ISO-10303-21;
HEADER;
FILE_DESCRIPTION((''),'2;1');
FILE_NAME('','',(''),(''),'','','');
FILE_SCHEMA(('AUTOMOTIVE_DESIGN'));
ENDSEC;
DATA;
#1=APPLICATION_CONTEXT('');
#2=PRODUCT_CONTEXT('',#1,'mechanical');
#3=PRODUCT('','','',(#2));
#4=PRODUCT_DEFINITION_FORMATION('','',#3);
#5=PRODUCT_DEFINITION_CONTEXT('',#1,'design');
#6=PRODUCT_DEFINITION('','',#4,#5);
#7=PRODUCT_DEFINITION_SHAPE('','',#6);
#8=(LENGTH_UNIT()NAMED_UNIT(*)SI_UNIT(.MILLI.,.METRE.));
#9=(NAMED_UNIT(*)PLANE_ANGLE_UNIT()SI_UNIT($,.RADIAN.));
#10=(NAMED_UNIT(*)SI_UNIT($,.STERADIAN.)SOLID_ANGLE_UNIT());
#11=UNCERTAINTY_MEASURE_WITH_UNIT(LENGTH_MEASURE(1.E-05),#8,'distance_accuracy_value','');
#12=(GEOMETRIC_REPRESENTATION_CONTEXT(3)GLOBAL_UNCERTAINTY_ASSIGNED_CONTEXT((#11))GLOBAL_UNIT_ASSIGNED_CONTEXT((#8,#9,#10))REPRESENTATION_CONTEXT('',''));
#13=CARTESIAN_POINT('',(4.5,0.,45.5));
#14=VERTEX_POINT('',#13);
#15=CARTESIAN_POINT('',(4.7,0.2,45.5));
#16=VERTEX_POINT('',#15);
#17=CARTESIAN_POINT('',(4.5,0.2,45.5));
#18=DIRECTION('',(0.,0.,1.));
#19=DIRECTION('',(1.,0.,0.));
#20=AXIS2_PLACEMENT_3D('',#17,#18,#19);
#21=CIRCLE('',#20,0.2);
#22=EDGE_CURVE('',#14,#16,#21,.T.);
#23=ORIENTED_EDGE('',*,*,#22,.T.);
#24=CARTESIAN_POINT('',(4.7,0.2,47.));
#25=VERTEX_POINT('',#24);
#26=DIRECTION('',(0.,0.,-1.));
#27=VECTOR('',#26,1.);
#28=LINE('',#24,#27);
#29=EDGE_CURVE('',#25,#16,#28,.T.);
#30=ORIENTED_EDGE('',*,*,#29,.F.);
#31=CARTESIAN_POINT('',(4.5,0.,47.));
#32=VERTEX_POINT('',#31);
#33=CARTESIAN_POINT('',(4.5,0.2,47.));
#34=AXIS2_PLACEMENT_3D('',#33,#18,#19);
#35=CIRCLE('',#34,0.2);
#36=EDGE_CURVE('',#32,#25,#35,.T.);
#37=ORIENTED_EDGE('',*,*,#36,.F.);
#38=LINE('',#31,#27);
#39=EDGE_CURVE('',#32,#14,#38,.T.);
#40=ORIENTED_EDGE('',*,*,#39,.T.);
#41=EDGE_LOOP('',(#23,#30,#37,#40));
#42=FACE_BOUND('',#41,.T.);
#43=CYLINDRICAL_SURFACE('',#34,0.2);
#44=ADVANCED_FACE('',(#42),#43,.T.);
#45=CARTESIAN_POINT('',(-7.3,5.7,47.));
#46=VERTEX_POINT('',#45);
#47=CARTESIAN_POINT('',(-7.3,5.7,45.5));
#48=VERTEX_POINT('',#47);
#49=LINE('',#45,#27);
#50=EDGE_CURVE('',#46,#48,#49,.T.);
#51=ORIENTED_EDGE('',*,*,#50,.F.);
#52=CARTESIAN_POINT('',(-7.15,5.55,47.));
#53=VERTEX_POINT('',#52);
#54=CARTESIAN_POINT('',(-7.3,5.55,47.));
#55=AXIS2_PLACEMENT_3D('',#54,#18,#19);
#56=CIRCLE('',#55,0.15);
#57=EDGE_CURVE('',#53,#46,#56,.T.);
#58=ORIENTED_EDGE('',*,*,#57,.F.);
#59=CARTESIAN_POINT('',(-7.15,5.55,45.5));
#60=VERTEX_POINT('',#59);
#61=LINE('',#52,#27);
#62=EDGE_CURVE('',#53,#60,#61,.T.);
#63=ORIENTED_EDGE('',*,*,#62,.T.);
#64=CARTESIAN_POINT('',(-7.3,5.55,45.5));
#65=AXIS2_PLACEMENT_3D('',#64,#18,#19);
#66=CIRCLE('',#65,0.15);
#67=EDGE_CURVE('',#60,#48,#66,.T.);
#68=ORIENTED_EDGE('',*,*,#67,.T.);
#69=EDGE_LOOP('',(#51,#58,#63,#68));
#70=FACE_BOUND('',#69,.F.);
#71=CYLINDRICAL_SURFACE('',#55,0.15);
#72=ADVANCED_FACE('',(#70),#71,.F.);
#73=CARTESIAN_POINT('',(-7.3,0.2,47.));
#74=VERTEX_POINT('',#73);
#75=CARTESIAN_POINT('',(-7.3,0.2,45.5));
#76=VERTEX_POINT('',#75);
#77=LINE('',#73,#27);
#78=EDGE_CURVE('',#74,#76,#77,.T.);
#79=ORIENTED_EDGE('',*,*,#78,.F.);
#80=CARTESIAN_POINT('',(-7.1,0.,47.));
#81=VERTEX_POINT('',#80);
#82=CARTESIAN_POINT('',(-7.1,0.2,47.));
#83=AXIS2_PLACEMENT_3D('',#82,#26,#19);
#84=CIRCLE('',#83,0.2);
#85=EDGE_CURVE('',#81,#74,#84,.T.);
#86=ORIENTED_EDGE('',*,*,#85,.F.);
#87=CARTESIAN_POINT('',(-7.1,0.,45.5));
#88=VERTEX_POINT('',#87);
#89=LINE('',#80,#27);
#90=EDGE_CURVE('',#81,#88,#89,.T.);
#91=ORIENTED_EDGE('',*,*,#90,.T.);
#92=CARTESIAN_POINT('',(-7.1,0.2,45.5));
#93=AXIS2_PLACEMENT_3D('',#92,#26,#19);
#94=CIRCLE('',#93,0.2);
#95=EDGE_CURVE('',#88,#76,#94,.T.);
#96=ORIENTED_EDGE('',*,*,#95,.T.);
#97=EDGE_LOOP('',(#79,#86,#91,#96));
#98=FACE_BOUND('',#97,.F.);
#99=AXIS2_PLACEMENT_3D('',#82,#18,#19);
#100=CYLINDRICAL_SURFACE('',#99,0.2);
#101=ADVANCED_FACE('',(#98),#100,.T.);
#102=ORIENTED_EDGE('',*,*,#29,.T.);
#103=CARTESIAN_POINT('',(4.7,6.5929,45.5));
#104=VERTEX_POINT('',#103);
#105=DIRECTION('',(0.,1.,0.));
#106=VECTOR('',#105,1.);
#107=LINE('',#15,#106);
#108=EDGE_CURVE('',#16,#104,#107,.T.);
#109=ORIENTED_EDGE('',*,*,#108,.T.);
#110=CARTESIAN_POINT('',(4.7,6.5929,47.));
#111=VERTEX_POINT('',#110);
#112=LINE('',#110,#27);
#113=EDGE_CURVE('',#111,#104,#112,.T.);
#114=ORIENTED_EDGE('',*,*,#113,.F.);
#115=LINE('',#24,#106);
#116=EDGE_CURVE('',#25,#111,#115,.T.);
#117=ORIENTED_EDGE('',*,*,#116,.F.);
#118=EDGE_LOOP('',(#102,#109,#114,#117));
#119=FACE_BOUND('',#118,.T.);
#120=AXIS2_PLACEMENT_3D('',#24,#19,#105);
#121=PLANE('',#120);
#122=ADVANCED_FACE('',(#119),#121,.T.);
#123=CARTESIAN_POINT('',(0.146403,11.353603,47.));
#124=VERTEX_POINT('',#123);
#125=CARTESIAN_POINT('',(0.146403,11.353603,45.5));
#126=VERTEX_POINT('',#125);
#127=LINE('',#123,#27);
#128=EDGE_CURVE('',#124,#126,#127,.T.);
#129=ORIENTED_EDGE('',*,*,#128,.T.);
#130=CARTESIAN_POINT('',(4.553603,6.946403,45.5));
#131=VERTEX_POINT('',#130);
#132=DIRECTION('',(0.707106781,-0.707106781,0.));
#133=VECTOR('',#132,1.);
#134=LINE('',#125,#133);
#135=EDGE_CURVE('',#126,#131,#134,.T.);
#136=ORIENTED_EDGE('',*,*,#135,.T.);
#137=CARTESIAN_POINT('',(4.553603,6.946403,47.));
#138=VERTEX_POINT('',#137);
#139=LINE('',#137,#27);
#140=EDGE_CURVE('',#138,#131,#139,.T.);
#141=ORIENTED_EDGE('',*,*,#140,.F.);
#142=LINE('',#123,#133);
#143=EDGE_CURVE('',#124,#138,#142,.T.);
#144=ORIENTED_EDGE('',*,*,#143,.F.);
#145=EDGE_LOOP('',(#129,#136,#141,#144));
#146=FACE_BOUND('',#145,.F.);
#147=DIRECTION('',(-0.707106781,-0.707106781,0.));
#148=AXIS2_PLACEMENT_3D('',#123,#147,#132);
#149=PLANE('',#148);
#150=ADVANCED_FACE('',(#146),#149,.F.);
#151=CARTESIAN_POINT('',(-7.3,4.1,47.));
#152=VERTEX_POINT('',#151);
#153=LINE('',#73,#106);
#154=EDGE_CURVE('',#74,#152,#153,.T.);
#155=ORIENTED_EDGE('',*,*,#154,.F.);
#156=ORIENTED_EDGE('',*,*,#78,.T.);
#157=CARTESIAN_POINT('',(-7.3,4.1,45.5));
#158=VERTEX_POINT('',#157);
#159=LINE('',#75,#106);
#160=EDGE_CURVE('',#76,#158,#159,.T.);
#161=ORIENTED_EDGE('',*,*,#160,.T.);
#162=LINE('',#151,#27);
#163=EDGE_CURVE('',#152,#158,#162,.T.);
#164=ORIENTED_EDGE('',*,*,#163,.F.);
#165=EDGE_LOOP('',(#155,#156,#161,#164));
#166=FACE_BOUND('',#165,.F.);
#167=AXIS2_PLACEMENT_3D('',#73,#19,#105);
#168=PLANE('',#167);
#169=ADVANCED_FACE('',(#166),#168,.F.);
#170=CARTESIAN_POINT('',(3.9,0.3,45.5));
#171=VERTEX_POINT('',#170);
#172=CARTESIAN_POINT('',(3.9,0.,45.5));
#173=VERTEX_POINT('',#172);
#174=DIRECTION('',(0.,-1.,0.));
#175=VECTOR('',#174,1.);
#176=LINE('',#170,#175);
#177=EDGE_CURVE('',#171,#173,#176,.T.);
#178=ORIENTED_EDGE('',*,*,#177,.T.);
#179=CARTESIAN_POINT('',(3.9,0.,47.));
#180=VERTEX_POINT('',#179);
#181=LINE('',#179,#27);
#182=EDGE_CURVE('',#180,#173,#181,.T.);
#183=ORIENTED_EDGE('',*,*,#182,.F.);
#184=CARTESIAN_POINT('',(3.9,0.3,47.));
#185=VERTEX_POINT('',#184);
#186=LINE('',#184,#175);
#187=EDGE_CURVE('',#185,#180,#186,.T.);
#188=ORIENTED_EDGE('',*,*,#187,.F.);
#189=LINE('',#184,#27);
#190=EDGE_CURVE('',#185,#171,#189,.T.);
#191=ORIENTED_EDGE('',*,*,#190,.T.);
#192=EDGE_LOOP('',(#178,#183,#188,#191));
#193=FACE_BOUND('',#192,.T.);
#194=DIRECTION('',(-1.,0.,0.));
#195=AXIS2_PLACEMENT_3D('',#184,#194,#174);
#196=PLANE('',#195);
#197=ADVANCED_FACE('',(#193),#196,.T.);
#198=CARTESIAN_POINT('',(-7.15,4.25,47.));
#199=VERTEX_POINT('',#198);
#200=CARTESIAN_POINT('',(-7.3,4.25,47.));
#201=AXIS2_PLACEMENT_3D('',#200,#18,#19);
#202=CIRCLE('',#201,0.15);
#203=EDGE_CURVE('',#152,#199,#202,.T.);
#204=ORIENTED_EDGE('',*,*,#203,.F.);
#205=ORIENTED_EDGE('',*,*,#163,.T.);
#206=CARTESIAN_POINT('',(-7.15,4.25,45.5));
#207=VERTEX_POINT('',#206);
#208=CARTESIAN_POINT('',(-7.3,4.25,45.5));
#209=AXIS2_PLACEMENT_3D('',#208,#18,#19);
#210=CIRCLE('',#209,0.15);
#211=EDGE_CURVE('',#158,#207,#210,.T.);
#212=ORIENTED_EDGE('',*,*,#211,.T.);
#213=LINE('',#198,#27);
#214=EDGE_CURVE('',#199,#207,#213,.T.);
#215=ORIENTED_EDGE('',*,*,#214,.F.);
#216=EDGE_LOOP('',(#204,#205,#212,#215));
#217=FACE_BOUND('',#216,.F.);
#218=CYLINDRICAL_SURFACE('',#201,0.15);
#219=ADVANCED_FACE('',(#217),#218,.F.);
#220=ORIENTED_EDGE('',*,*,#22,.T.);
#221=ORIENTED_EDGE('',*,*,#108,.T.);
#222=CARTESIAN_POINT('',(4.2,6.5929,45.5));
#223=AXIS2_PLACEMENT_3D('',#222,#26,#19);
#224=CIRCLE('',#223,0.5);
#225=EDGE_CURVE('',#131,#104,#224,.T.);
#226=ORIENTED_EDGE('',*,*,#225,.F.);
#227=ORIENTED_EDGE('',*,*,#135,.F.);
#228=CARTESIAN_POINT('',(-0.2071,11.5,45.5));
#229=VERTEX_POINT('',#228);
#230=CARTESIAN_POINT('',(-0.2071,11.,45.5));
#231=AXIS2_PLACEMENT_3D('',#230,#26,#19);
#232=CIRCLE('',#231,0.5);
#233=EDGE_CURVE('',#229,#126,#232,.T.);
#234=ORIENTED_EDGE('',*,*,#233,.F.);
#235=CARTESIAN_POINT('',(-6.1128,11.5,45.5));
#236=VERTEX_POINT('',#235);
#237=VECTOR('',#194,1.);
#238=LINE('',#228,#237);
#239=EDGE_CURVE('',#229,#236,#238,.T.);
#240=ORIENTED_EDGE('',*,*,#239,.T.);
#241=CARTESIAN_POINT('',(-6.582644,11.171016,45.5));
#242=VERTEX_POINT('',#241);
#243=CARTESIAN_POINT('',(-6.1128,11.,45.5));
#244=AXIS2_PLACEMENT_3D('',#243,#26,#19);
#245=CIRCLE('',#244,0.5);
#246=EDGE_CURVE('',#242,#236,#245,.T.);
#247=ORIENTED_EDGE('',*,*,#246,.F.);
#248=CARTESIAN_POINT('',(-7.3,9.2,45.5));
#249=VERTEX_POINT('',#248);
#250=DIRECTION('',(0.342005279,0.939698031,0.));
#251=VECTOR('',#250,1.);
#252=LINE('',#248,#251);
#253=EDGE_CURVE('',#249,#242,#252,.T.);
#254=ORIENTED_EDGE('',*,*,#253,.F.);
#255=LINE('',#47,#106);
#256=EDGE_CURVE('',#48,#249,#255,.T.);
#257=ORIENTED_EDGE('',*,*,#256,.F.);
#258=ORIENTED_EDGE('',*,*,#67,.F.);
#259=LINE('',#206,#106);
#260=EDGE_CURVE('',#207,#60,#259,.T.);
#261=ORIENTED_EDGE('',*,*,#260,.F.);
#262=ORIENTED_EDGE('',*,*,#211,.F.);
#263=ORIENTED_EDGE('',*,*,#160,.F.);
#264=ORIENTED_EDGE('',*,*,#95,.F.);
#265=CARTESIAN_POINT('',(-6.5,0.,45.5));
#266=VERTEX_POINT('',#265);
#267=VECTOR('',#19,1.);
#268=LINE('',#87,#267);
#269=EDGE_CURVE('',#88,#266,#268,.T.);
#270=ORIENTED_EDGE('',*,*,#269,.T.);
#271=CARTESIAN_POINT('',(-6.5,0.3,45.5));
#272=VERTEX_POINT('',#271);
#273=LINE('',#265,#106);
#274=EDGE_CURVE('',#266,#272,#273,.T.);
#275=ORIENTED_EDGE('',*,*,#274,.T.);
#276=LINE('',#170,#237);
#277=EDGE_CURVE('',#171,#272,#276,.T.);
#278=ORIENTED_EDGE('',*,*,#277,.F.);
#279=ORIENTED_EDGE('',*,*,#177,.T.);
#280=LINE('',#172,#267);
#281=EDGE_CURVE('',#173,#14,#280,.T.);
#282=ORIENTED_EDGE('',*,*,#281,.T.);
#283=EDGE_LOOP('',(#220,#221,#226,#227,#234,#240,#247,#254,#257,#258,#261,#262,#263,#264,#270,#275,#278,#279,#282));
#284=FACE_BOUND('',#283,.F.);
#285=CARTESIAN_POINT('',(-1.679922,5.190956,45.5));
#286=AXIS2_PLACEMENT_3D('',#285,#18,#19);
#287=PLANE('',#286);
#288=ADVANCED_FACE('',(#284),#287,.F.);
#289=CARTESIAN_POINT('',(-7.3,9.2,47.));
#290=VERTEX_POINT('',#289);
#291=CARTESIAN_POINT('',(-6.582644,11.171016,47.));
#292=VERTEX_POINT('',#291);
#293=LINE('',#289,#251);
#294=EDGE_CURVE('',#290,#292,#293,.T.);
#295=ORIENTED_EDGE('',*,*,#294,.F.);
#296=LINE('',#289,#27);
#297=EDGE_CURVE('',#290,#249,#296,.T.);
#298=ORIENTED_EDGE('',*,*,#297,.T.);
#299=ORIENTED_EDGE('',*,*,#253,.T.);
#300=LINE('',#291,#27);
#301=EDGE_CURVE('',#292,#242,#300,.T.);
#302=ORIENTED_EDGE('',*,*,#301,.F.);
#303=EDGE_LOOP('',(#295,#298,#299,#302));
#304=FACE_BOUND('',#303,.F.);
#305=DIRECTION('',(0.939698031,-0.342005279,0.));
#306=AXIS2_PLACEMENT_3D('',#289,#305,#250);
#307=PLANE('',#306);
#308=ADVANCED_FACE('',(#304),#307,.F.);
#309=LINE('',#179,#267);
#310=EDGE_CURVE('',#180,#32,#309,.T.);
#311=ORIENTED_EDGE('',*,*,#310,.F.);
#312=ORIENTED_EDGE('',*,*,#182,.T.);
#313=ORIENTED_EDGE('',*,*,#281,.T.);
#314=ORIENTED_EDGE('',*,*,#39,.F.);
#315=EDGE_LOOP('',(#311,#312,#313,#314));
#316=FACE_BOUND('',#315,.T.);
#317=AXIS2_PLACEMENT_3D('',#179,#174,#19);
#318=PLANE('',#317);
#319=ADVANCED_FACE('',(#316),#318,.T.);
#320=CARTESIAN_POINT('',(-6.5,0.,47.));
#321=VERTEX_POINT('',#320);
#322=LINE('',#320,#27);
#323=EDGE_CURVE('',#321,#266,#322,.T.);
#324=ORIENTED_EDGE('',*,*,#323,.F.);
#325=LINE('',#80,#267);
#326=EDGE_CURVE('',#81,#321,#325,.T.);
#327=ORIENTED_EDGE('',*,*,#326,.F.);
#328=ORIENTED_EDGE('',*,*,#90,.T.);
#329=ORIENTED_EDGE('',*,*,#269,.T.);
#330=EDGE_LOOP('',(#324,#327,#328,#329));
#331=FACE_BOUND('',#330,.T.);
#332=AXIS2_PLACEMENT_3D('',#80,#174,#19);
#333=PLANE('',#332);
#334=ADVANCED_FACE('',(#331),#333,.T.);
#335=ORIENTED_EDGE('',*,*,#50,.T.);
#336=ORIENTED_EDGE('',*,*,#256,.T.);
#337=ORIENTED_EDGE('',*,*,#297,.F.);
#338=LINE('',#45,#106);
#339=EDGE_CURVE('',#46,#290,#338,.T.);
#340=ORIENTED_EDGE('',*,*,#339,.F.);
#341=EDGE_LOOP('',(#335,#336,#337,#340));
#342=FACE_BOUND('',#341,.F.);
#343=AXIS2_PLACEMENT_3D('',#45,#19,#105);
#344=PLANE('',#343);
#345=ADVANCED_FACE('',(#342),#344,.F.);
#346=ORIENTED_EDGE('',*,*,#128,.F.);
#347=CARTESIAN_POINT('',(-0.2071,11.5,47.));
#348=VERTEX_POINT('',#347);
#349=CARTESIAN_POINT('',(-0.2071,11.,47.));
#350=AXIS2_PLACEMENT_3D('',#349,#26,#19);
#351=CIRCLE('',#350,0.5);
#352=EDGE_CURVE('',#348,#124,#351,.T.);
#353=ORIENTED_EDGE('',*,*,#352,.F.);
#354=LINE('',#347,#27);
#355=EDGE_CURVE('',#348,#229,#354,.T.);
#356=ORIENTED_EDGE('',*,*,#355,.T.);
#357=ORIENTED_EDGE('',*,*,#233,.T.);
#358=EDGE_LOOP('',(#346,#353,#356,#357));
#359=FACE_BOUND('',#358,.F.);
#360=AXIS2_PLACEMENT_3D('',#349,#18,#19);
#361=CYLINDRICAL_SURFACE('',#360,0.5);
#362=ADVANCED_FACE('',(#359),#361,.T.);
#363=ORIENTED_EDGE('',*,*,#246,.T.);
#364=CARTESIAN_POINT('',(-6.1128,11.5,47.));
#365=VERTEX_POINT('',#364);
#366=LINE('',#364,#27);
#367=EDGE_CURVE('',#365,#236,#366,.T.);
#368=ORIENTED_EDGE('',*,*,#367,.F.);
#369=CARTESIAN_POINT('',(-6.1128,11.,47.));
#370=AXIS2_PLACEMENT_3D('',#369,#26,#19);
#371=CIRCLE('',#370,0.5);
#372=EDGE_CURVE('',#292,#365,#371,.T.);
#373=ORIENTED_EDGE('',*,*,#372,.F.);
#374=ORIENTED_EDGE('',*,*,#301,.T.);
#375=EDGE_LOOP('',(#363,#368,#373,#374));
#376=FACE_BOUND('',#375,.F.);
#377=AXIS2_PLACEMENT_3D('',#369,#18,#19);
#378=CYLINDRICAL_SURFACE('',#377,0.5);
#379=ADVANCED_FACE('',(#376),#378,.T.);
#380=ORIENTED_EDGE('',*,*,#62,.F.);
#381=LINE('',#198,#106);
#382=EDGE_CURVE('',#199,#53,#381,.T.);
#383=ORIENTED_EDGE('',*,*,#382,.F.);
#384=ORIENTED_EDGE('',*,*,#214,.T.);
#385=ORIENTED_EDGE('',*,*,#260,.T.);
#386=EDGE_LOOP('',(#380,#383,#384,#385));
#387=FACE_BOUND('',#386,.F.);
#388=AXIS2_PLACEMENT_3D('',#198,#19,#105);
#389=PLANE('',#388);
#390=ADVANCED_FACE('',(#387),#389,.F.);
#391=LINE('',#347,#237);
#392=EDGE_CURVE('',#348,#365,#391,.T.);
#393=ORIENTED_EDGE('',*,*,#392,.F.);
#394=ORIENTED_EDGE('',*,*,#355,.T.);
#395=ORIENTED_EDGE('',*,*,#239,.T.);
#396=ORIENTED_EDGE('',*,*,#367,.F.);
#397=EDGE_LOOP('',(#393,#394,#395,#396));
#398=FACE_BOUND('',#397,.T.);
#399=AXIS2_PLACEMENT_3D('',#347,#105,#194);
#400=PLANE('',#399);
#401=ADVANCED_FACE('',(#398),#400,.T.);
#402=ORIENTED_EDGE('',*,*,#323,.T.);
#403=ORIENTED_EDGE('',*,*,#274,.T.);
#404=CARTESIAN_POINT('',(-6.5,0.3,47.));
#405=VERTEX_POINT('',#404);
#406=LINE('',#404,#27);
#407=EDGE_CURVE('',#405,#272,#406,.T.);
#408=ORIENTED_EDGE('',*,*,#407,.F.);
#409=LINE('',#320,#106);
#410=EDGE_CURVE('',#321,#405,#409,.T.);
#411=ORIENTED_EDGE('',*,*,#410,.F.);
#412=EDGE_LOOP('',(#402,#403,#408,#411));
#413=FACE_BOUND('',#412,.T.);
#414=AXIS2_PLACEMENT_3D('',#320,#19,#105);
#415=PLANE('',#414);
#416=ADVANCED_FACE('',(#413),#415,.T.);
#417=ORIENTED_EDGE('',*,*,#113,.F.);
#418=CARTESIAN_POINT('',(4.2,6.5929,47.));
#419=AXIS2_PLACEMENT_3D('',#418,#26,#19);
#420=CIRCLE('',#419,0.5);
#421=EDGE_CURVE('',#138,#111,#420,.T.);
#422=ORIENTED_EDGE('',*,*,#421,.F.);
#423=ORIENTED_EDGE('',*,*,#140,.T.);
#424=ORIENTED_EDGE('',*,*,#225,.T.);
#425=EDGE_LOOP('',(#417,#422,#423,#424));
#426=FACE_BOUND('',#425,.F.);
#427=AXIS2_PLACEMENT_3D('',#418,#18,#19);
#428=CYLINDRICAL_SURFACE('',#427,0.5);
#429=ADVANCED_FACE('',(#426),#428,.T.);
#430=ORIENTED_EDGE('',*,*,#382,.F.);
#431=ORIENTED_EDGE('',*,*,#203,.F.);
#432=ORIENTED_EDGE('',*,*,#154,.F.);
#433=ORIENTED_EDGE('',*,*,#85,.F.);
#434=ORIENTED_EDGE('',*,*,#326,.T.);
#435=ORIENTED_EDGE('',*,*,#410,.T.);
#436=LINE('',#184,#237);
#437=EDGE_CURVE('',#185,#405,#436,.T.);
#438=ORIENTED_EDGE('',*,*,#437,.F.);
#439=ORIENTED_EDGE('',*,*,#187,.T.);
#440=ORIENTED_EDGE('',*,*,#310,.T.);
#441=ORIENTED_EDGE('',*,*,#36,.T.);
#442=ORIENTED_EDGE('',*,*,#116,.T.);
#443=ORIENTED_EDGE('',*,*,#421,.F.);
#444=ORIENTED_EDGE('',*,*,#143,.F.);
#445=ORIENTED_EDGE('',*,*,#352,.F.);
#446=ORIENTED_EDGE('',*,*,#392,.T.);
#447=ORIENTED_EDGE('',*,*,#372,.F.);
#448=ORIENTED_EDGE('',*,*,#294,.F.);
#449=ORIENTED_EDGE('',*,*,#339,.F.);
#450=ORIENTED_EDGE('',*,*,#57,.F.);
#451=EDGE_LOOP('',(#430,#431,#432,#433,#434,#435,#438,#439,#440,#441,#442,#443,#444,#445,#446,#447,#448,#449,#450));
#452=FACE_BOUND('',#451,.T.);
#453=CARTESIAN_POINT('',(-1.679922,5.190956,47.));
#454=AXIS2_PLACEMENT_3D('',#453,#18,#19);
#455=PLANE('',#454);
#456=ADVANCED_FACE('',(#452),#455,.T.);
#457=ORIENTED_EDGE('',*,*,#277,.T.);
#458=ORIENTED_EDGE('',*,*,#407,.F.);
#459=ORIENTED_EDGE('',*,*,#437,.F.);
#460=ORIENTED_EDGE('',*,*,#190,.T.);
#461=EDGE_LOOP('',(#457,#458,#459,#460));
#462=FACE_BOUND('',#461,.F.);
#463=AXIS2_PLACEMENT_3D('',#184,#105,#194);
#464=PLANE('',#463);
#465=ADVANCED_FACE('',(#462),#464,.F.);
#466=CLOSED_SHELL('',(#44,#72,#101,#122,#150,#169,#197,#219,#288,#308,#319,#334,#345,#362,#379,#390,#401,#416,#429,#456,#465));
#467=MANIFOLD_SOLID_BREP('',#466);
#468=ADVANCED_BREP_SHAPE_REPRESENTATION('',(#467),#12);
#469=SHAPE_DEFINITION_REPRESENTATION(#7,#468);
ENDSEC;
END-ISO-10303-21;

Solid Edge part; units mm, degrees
sketch "Sketch1" plane through (-1.3, 5.75, 47) normal (0, 0, 1) x (1, 0, 0)
  line L0 (1.0929, 5.75) -> (-4.8128, 5.75)
  arc A0 (-5.2826, 5.421) -> (-4.8128, 5.75) centre (-4.8128, 5.25) cw
  line L1 (-6, 3.45) -> (-5.2826, 5.421)
  line L2 (-6, -0.05) -> (-6, 3.45)
  arc A1 (-5.85, -0.2) -> (-6, -0.05) centre (-6, -0.2) ccw
  line L3 (-5.85, -1.5) -> (-5.85, -0.2)
  arc A2 (-6, -1.65) -> (-5.85, -1.5) centre (-6, -1.5) ccw
  line L4 (-6, -5.55) -> (-6, -1.65)
  arc A3 (-5.8, -5.75) -> (-6, -5.55) centre (-5.8, -5.55) cw
  line L5 (-5.8, -5.75) -> (-5.2, -5.75)
  line L6 (-5.2, -5.75) -> (-5.2, -5.45)
  line L7 (5.2, -5.45) -> (-5.2, -5.45)
  line L8 (5.2, -5.45) -> (5.2, -5.75)
  line L9 (5.2, -5.75) -> (5.8, -5.75)
  arc A4 (5.8, -5.75) -> (6, -5.55) centre (5.8, -5.55) ccw
  line L10 (6, -5.55) -> (6, 0.8429)
  arc A5 (5.8536, 1.1964) -> (6, 0.8429) centre (5.5, 0.8429) cw
  line L11 (1.4464, 5.6036) -> (5.8536, 1.1964)
  arc A6 (1.0929, 5.75) -> (1.4464, 5.6036) centre (1.0929, 5.25) cw
extrude "Protrusion1" add sketch "Sketch1" against normal blind 1.5
